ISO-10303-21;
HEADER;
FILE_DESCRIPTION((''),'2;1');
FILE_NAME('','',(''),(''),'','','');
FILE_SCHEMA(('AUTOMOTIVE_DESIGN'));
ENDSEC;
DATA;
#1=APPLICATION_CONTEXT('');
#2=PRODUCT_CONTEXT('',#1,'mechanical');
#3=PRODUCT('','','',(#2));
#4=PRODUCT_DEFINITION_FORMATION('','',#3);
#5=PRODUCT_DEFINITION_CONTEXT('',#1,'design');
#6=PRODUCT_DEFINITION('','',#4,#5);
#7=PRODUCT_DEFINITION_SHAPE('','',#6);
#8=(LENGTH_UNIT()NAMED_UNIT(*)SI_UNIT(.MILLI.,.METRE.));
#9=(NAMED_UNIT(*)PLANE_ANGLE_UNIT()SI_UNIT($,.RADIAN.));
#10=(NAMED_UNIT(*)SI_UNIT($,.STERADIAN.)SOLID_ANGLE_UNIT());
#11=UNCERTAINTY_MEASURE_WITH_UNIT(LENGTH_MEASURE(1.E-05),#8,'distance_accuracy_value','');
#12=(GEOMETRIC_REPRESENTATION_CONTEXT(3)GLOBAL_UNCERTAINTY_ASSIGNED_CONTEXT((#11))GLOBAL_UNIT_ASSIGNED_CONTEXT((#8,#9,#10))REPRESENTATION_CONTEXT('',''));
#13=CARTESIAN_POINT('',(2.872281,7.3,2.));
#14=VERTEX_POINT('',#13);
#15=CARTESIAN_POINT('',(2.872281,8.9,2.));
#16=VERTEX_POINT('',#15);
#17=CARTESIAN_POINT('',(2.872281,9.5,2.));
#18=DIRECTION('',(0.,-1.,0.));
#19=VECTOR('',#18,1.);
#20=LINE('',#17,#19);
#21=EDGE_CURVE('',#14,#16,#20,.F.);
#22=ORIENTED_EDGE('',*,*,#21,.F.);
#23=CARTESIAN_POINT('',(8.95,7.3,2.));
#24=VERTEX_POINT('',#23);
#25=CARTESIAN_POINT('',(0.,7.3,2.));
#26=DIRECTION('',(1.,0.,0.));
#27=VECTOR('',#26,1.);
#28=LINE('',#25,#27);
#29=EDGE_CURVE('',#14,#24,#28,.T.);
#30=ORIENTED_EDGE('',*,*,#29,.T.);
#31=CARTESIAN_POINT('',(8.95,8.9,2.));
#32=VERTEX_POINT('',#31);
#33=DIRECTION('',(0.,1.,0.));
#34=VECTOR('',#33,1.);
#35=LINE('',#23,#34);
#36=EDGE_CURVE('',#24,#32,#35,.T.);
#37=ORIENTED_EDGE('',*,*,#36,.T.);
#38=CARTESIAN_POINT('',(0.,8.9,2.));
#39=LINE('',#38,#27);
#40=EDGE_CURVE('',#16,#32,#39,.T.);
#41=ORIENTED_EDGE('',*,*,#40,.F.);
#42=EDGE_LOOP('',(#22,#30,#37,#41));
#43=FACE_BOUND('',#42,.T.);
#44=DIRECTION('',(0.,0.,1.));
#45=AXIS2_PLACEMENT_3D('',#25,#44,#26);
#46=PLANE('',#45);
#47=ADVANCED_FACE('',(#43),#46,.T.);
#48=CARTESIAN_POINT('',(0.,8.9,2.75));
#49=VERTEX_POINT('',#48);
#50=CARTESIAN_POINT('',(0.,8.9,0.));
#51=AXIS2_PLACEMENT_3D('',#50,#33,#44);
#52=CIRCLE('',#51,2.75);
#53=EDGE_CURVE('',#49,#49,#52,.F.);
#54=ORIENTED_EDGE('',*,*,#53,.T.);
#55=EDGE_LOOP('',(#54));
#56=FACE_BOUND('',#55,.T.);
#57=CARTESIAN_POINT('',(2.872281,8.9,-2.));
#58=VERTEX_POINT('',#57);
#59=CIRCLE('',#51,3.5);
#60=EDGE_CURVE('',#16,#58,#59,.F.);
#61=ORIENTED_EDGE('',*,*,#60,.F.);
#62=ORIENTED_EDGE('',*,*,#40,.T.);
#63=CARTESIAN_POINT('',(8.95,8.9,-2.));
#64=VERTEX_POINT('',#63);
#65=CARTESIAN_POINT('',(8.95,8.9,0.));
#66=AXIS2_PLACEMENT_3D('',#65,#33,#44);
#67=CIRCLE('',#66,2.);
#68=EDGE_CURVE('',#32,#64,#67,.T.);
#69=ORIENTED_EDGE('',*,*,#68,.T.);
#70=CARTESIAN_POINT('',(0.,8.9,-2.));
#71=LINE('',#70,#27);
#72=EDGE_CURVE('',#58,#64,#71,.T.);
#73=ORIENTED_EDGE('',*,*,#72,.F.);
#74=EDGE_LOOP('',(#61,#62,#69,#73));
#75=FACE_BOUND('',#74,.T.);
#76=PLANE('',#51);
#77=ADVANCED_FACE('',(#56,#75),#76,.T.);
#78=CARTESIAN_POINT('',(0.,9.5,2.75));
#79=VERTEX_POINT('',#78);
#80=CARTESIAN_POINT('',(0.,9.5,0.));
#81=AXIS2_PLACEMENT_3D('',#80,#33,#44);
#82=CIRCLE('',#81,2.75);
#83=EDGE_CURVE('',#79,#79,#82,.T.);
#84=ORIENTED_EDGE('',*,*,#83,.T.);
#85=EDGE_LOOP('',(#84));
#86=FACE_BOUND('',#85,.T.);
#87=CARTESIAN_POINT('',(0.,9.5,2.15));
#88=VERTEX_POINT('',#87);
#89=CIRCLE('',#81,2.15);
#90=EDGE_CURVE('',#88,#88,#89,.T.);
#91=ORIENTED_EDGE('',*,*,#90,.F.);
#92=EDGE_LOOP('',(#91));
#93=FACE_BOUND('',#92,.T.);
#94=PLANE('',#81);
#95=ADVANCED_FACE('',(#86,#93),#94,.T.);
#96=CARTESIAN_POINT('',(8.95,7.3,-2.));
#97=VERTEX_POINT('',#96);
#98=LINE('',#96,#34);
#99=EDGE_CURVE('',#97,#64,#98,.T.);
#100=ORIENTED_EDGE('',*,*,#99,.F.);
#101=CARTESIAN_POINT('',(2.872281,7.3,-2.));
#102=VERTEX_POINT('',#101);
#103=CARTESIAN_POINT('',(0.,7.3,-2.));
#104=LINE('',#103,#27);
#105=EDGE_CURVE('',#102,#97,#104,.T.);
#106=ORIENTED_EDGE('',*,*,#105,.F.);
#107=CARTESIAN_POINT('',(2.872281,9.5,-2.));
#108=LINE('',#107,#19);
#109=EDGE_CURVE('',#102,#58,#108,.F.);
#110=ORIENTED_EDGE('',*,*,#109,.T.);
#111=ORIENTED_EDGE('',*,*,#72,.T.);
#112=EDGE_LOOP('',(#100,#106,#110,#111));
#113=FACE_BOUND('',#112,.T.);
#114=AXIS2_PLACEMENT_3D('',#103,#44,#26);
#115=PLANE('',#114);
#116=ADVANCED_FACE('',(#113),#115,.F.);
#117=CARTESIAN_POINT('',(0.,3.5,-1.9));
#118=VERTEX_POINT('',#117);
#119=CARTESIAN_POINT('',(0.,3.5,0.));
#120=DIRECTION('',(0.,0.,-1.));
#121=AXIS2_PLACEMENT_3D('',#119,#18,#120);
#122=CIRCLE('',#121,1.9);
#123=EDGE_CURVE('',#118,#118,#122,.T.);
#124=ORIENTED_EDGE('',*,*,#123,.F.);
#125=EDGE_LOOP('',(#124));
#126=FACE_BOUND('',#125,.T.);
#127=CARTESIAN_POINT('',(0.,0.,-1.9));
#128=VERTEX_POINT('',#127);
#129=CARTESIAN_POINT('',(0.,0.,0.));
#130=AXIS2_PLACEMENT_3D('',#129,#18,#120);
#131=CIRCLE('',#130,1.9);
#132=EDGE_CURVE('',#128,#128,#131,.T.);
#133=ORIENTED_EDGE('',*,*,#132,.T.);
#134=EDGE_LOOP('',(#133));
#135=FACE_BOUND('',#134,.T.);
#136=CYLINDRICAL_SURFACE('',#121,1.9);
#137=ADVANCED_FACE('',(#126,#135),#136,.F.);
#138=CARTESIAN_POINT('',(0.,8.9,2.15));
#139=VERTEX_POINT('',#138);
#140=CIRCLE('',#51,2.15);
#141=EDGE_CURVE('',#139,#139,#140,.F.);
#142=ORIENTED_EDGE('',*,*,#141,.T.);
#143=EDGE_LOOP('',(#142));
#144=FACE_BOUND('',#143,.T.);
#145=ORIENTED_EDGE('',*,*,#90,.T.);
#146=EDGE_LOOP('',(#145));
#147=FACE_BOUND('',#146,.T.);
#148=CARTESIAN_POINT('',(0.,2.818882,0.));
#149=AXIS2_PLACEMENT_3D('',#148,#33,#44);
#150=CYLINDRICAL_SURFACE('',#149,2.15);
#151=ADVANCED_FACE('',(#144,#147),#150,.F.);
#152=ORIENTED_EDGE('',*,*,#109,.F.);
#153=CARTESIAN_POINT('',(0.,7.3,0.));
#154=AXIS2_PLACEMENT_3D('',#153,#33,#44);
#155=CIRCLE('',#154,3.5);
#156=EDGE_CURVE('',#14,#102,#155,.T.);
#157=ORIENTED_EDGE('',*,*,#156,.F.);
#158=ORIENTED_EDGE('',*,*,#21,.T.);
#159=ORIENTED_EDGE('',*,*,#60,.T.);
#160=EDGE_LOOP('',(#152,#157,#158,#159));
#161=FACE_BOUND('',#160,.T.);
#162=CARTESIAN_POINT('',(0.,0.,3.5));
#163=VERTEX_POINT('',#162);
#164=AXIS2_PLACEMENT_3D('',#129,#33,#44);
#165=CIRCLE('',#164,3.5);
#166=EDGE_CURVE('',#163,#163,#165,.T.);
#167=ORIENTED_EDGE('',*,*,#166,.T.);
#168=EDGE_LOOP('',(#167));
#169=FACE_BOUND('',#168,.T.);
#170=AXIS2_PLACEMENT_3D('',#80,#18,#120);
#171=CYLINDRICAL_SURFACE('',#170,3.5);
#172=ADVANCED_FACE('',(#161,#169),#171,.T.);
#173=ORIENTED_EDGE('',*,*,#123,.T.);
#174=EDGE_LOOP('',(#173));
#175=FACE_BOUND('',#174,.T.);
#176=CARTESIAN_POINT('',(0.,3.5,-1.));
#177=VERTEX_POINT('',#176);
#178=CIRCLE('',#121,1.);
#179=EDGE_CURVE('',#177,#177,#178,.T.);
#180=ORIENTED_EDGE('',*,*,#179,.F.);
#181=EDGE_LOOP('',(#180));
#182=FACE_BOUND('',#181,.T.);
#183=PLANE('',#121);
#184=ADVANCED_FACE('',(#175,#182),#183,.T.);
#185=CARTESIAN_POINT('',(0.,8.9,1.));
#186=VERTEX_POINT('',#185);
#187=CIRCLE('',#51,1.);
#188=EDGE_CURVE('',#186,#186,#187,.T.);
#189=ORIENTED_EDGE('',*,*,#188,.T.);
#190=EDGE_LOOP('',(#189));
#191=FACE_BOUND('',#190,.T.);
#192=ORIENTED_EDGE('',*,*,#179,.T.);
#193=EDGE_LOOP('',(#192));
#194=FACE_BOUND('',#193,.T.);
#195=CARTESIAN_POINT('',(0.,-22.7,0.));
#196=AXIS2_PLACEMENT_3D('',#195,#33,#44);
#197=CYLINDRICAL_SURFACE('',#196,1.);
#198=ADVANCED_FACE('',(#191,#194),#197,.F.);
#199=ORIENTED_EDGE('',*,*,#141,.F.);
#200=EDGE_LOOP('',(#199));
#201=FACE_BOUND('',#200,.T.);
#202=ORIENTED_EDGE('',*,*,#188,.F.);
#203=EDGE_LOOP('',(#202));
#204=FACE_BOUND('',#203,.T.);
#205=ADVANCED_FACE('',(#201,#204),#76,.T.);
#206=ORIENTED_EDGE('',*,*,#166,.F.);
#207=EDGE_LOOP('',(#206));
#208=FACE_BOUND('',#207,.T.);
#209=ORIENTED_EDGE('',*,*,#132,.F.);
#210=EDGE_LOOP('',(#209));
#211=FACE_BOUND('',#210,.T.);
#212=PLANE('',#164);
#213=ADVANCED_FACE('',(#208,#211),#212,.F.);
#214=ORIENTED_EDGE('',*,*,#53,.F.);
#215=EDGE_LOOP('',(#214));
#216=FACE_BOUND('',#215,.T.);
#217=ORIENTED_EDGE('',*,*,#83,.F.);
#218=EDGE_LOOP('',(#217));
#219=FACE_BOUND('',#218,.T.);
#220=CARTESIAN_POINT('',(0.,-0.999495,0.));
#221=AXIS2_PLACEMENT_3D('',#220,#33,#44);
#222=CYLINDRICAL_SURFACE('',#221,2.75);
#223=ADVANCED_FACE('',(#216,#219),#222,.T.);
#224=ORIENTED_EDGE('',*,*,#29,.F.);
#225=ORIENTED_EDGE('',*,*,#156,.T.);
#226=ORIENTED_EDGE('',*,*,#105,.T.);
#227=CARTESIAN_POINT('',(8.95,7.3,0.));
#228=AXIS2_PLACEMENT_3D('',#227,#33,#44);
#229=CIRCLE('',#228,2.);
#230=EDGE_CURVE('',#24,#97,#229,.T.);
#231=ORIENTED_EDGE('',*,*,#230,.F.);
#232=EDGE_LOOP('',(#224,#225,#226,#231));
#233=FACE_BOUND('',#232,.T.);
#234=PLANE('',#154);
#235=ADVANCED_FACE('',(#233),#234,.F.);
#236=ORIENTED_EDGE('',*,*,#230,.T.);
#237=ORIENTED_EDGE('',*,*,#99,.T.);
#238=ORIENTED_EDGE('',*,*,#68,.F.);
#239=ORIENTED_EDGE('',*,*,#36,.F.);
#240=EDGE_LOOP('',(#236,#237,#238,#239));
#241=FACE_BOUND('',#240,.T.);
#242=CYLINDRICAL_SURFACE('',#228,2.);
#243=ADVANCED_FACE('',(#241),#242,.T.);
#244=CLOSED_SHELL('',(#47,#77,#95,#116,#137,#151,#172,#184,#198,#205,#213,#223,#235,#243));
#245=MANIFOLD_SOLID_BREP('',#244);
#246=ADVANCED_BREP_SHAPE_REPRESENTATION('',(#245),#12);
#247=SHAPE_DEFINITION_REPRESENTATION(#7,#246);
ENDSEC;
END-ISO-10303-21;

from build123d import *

# Parameters (mm, degrees)
SZKIC1_R                    = 3.5
DODANIE_WYCI_GNI_CIE1_DEPTH = 9.5
SZKIC2_R                    = 1.9
WYTNIJ_WYCI_GNI_CIE1_DEPTH  = 3.5
SZKIC3_R                    = 2
DODANIE_WYCI_GNI_CIE2_DEPTH = 1.6
WYTNIJ_WYCI_GNI_CIE2_START  = -0.6
SZKIC4_R                    = 2.15
WYTNIJ_WYCI_GNI_CIE2_DEPTH  = 0.6
SZKIC5_R                    = 1
WYTNIJ_WYCI_GNI_CIE3_DEPTH  = 31.6
SZKIC6_R                    = 3.5
SZKIC6_R_2                  = 2.75
WYTNIJ_WYCI_GNI_CIE4_DEPTH  = 0.6
WYTNIJ_WYCI_GNI_CIE5_DEPTH  = 10


with BuildPart() as part:
    # Szkic1 → Dodanie-wyciągnięcie1 (new body)
    with BuildSketch(Plane(origin=(0, 0, 0), x_dir=(1, 0, 0), z_dir=(0, 1, 0))):
        Circle(SZKIC1_R)
    extrude(amount=DODANIE_WYCI_GNI_CIE1_DEPTH)

    # Szkic2 → Wytnij-wyciągnięcie1 (cut)
    with BuildSketch(Plane.XZ):
        Circle(SZKIC2_R)
    extrude(amount=-WYTNIJ_WYCI_GNI_CIE1_DEPTH, mode=Mode.SUBTRACT)

    # Szkic3 → Dodanie-wyciągnięcie2 (add)
    with BuildSketch(Plane(origin=(0, 8.9, 0), x_dir=(1, 0, 0), z_dir=(0, 1, 0))):
        with Locations((-8.95, 0)):
            Circle(SZKIC3_R)
        with BuildLine():
            Line((-2, 2), (-8.95, 2))
            ThreePointArc((-8.95, 2), (-7.535786438, 1.414213562), (-6.95, 0))
            ThreePointArc((-6.95, 0), (-7.535786438, -1.414213562), (-8.95, -2))
            Line((-8.95, -2), (-2, -2))
            Line((-2, -2), (-2, 2))
        make_face()
        with Locations((0, 7)):
            Circle(SZKIC3_R)
        with BuildLine():
            Line((-2, 7), (-2, 2))
            Line((-2, 2), (0, 2))
            Line((0, 2), (2, 2))
            Line((2, 2), (2, 7))
            ThreePointArc((2, 7), (0, 5), (-2, 7))
        make_face()
        with BuildLine():
            Line((8.95, 2), (2, 2))
            Line((2, 2), (2, 0))
            Line((2, 0), (2, -2))
            Line((2, -2), (8.95, -2))
            ThreePointArc((8.95, -2), (6.95, 0), (8.95, 2))
        make_face()
        with Locations((8.95, 0)):
            Circle(SZKIC3_R)
        with Locations((0, -7)):
            Circle(SZKIC3_R)
        with BuildLine():
            Line((2, -2), (-2, -2))
            Line((-2, -2), (-2, -7))
            ThreePointArc((-2, -7), (0, -5), (2, -7))
            Line((2, -7), (2, -2))
        make_face()
    extrude(amount=-DODANIE_WYCI_GNI_CIE2_DEPTH)

    # Szkic4 → Wytnij-wyciągnięcie2 (cut)
    with BuildSketch(Plane(origin=(0, 9.5, 0), x_dir=(1, 0, 0), z_dir=(0, 1, 0)).offset(WYTNIJ_WYCI_GNI_CIE2_START)):
        Circle(SZKIC4_R)
    extrude(amount=WYTNIJ_WYCI_GNI_CIE2_DEPTH, mode=Mode.SUBTRACT)

    # Szkic5 → Wytnij-wyciągnięcie3 (cut)
    with BuildSketch(Plane(origin=(0, 8.9, 0), x_dir=(1, 0, 0), z_dir=(0, 1, 0))):
        Circle(SZKIC5_R)
    extrude(amount=-WYTNIJ_WYCI_GNI_CIE3_DEPTH, mode=Mode.SUBTRACT)

    # Szkic6 → Wytnij-wyciągnięcie4 (cut)
    with BuildSketch(Plane(origin=(0, 9.5, 0), x_dir=(1, 0, 0), z_dir=(0, 1, 0))):
        Circle(SZKIC6_R)
        Circle(SZKIC6_R_2, mode=Mode.SUBTRACT)
    extrude(amount=-WYTNIJ_WYCI_GNI_CIE4_DEPTH, mode=Mode.SUBTRACT)

    # Szkic7 → Wytnij-wyciągnięcie5 (cut)
    with BuildSketch(Plane.XZ.offset(-7.3)):
        with BuildLine():
            ThreePointArc((-2, -7), (0, -9), (2, -7))
            Line((2, -7), (2, -2.872281323))
            ThreePointArc((2, -2.872281323), (0, -3.5), (-2, -2.872281323))
            Line((-2, -2.872281323), (-2, -7))
        make_face()
        with BuildLine():
            Line((2, -11.805294156), (2, -7))
            ThreePointArc((2, -7), (0, -9), (-2, -7))
            Line((-2, -7), (-2, -2.872281323))
            ThreePointArc((-2, -2.872281323), (-2.872281323, 2), (2, 2.872281323))
            Line((2, 2.872281323), (2, 7))
            Line((2, 7), (2, 11.668395205))
            Line((2, 11.668395205), (-21.006020829, 11.668395205))
            Line((-21.006020829, 11.668395205), (-21.006020829, -11.805294156))
            Line((-21.006020829, -11.805294156), (2, -11.805294156))
        make_face()
    extrude(amount=-WYTNIJ_WYCI_GNI_CIE5_DEPTH, mode=Mode.SUBTRACT)


solid = part.part
